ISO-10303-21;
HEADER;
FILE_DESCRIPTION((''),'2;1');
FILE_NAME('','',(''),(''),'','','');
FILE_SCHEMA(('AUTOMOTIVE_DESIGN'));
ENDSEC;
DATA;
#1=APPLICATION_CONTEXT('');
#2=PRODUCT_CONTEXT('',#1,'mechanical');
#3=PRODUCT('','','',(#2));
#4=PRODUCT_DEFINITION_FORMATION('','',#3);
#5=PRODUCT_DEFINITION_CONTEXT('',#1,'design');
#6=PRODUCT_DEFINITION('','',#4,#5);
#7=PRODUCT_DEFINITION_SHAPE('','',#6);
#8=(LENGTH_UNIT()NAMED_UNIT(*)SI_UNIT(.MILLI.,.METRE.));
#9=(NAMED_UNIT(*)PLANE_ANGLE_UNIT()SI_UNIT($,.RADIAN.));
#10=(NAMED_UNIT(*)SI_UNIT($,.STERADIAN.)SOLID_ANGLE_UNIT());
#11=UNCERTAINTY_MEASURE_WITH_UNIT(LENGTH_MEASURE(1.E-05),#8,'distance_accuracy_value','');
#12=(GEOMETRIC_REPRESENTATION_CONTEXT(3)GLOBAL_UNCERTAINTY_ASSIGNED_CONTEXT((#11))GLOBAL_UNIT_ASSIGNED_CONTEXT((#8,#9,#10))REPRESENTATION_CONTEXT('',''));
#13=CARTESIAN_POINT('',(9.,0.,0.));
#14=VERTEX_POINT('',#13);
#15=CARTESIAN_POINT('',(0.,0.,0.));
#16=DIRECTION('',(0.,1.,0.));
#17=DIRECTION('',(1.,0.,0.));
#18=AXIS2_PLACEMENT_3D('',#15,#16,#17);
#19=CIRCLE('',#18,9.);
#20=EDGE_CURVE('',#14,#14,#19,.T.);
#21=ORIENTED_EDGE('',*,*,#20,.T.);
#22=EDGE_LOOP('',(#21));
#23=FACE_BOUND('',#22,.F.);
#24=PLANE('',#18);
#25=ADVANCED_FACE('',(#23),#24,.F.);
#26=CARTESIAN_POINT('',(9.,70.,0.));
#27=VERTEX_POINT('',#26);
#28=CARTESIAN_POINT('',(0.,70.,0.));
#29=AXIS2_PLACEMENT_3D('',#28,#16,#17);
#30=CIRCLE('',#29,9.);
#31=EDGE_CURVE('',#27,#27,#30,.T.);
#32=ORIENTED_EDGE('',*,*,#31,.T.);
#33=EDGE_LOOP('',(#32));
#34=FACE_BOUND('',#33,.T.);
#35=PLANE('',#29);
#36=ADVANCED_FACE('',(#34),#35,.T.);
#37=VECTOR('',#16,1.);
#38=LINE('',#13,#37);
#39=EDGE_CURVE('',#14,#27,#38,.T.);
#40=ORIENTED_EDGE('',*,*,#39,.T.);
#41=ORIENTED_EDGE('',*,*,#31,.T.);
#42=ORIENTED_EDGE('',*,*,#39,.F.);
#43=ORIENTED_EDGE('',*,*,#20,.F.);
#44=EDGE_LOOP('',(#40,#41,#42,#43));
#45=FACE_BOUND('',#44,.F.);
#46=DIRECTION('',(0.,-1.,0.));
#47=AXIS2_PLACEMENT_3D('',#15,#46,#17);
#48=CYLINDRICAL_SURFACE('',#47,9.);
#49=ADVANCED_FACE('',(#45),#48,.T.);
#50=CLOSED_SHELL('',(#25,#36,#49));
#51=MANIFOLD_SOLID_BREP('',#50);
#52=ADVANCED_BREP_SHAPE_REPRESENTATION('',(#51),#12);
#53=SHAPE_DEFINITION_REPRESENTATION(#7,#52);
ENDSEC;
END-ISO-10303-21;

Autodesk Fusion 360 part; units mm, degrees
sketch "Sketch1" plane through (0, 0, 0) normal (0, 1, 0) x (1, 0, 0)
  circle A0 centre (0, 0) radius 9
  dimension "d1" = 18
extrude "Extrude1" add sketch "Sketch1" along normal blind 70
